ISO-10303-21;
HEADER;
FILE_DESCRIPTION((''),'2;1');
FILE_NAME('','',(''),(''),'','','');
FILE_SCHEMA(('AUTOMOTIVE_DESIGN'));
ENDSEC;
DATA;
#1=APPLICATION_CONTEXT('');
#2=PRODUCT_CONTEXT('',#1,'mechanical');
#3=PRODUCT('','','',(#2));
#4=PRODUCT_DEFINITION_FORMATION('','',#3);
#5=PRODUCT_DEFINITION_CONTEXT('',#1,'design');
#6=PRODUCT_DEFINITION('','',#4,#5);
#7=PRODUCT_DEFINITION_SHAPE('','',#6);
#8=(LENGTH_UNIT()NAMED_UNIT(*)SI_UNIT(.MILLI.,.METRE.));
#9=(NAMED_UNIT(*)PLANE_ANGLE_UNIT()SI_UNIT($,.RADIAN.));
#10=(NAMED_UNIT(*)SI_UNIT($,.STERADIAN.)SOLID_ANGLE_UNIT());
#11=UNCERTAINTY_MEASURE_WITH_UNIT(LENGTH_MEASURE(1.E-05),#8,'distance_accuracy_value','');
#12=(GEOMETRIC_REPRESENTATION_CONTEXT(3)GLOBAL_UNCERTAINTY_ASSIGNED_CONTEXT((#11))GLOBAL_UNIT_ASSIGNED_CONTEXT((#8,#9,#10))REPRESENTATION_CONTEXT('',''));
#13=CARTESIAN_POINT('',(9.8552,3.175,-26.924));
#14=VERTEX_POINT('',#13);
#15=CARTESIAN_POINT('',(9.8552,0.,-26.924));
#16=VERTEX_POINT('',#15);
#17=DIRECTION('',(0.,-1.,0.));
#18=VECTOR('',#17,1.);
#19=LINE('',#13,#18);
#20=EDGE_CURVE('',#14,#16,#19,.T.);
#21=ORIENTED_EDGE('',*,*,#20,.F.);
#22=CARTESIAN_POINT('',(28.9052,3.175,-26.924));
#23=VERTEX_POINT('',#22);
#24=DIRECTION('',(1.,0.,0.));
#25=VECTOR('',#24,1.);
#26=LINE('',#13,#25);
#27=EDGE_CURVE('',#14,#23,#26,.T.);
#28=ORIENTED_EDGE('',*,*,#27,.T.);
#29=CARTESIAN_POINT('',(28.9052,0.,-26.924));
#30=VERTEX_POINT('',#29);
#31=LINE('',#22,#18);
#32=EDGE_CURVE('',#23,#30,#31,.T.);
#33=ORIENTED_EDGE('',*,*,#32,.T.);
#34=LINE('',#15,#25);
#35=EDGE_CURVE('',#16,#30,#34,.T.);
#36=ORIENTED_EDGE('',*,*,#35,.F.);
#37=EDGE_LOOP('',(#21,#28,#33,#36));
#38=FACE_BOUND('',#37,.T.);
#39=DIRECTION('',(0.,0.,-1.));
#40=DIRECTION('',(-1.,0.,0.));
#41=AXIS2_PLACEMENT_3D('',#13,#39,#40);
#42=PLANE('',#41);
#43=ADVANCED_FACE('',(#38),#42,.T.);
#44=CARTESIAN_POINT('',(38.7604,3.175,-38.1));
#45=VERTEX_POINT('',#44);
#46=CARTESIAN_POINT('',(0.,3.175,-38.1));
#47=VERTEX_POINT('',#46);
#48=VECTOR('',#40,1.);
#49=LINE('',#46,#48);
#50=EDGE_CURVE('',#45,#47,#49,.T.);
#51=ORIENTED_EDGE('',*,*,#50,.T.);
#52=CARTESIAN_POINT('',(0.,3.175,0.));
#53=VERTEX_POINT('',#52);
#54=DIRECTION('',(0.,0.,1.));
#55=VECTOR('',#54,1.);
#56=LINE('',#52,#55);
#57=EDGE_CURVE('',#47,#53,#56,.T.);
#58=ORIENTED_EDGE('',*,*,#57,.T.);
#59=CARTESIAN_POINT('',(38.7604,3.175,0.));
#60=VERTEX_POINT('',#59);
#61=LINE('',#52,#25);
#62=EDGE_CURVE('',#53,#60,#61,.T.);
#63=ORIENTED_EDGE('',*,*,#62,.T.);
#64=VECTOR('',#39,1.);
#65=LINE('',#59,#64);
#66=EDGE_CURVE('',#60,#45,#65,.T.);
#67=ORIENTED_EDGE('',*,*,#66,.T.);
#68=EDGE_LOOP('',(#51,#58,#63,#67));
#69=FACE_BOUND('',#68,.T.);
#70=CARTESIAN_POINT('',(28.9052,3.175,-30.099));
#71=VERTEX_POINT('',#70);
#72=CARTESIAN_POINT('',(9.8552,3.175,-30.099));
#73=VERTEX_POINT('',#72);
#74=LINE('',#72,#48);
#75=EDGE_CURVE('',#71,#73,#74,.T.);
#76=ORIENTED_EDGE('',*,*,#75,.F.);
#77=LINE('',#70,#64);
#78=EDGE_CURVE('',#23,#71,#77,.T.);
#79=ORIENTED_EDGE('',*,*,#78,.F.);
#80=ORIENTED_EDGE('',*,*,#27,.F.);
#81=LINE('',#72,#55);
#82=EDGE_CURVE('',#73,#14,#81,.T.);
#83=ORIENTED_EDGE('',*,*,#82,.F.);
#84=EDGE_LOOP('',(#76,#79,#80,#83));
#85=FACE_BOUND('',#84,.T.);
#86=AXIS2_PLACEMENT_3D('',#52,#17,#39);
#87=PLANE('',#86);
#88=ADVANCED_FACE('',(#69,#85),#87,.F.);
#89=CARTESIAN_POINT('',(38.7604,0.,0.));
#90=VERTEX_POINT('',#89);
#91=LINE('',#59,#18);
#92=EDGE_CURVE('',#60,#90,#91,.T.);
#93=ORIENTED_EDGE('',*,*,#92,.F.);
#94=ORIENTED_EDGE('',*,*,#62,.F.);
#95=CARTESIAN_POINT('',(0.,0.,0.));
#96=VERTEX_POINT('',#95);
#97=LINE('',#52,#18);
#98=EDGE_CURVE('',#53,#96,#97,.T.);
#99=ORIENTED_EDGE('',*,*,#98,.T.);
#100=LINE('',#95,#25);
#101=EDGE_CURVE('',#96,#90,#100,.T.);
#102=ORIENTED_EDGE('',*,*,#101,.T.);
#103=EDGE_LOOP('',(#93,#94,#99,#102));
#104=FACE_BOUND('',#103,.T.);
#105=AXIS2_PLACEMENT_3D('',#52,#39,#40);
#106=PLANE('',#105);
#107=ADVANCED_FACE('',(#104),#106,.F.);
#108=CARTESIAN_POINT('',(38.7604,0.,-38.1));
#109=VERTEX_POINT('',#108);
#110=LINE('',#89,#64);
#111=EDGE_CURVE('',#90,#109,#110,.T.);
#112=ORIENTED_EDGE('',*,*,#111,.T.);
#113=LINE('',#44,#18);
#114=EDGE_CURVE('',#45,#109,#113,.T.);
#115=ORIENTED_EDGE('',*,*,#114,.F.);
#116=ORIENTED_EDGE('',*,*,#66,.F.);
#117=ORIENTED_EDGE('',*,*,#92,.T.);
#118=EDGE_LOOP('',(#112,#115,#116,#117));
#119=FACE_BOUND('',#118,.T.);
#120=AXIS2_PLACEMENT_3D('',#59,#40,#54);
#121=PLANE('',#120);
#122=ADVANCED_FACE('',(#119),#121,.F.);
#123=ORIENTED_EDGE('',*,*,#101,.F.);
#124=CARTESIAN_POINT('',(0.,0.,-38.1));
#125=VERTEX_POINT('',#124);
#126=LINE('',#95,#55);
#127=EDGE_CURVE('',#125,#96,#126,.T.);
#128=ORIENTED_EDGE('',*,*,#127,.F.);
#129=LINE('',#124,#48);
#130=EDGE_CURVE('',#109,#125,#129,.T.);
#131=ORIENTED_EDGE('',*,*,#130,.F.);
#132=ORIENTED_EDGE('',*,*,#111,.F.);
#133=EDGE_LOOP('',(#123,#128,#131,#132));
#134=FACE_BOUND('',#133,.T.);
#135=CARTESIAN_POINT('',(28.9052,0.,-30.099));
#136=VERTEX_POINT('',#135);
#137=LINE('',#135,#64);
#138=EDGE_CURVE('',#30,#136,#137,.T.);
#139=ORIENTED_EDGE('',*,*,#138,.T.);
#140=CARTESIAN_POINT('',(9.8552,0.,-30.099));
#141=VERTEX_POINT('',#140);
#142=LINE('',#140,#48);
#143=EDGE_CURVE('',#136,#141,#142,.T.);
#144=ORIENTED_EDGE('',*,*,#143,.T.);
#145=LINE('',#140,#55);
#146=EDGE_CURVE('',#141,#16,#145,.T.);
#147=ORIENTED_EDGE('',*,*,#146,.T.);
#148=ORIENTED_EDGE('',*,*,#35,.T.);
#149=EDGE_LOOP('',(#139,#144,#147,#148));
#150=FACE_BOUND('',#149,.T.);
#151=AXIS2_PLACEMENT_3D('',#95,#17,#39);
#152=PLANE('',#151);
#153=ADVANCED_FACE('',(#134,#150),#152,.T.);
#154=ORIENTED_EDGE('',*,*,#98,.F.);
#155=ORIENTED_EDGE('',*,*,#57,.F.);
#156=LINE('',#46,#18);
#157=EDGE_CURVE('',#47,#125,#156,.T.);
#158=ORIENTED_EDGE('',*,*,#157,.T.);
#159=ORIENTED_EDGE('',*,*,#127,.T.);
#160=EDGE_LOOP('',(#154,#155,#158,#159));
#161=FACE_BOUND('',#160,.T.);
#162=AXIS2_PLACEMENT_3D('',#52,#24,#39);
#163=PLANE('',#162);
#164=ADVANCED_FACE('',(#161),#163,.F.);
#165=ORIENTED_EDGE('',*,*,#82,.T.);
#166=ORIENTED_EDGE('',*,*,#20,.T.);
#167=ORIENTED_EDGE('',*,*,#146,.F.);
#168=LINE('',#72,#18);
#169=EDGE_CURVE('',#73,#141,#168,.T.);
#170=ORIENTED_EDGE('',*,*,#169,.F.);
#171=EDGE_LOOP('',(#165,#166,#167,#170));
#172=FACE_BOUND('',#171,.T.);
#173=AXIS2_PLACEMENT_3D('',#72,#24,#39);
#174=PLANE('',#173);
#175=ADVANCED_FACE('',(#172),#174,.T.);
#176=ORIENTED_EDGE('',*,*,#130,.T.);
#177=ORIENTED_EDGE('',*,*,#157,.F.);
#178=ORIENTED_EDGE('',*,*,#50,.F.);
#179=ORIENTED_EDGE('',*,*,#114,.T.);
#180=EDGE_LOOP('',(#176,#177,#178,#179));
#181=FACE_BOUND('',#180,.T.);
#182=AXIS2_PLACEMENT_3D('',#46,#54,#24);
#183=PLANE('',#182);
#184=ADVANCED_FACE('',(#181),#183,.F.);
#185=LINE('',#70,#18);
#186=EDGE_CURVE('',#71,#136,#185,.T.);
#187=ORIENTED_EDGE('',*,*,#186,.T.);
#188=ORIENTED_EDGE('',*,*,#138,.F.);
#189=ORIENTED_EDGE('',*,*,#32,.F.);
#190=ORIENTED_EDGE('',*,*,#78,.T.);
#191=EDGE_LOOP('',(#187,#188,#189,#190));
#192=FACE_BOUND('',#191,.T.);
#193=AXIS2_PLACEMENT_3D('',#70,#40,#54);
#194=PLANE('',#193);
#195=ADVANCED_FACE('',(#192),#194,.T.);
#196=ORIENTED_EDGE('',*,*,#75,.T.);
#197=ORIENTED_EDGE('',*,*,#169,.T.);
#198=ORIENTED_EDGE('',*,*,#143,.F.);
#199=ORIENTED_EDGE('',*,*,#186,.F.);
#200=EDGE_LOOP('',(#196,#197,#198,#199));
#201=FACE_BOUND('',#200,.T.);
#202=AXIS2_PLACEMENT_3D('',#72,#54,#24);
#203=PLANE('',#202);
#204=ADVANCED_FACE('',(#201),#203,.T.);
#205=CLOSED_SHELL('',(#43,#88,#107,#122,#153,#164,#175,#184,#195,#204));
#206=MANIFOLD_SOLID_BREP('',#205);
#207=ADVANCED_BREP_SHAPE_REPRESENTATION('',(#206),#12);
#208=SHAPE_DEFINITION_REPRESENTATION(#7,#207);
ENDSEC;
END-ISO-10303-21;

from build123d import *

# Parameters (mm, degrees)
SKETCH1_W           = 38.7604
SKETCH1_H           = 38.1
SKETCH1_W_2         = 19.05
SKETCH1_H_2         = 3.175
BOSS_EXTRUDE1_DEPTH = 3.175


with BuildPart() as part:
    # Sketch1 → Boss-Extrude1 (new body)
    with BuildSketch(Plane(origin=(0, 0, 0), x_dir=(1, 0, 0), z_dir=(0, 1, 0))):
        with Locations((19.3802, 19.05)):
            Rectangle(SKETCH1_W, SKETCH1_H)
        with Locations((19.3802, 28.5115)):
            Rectangle(SKETCH1_W_2, SKETCH1_H_2, mode=Mode.SUBTRACT)
    extrude(amount=BOSS_EXTRUDE1_DEPTH)


solid = part.part
